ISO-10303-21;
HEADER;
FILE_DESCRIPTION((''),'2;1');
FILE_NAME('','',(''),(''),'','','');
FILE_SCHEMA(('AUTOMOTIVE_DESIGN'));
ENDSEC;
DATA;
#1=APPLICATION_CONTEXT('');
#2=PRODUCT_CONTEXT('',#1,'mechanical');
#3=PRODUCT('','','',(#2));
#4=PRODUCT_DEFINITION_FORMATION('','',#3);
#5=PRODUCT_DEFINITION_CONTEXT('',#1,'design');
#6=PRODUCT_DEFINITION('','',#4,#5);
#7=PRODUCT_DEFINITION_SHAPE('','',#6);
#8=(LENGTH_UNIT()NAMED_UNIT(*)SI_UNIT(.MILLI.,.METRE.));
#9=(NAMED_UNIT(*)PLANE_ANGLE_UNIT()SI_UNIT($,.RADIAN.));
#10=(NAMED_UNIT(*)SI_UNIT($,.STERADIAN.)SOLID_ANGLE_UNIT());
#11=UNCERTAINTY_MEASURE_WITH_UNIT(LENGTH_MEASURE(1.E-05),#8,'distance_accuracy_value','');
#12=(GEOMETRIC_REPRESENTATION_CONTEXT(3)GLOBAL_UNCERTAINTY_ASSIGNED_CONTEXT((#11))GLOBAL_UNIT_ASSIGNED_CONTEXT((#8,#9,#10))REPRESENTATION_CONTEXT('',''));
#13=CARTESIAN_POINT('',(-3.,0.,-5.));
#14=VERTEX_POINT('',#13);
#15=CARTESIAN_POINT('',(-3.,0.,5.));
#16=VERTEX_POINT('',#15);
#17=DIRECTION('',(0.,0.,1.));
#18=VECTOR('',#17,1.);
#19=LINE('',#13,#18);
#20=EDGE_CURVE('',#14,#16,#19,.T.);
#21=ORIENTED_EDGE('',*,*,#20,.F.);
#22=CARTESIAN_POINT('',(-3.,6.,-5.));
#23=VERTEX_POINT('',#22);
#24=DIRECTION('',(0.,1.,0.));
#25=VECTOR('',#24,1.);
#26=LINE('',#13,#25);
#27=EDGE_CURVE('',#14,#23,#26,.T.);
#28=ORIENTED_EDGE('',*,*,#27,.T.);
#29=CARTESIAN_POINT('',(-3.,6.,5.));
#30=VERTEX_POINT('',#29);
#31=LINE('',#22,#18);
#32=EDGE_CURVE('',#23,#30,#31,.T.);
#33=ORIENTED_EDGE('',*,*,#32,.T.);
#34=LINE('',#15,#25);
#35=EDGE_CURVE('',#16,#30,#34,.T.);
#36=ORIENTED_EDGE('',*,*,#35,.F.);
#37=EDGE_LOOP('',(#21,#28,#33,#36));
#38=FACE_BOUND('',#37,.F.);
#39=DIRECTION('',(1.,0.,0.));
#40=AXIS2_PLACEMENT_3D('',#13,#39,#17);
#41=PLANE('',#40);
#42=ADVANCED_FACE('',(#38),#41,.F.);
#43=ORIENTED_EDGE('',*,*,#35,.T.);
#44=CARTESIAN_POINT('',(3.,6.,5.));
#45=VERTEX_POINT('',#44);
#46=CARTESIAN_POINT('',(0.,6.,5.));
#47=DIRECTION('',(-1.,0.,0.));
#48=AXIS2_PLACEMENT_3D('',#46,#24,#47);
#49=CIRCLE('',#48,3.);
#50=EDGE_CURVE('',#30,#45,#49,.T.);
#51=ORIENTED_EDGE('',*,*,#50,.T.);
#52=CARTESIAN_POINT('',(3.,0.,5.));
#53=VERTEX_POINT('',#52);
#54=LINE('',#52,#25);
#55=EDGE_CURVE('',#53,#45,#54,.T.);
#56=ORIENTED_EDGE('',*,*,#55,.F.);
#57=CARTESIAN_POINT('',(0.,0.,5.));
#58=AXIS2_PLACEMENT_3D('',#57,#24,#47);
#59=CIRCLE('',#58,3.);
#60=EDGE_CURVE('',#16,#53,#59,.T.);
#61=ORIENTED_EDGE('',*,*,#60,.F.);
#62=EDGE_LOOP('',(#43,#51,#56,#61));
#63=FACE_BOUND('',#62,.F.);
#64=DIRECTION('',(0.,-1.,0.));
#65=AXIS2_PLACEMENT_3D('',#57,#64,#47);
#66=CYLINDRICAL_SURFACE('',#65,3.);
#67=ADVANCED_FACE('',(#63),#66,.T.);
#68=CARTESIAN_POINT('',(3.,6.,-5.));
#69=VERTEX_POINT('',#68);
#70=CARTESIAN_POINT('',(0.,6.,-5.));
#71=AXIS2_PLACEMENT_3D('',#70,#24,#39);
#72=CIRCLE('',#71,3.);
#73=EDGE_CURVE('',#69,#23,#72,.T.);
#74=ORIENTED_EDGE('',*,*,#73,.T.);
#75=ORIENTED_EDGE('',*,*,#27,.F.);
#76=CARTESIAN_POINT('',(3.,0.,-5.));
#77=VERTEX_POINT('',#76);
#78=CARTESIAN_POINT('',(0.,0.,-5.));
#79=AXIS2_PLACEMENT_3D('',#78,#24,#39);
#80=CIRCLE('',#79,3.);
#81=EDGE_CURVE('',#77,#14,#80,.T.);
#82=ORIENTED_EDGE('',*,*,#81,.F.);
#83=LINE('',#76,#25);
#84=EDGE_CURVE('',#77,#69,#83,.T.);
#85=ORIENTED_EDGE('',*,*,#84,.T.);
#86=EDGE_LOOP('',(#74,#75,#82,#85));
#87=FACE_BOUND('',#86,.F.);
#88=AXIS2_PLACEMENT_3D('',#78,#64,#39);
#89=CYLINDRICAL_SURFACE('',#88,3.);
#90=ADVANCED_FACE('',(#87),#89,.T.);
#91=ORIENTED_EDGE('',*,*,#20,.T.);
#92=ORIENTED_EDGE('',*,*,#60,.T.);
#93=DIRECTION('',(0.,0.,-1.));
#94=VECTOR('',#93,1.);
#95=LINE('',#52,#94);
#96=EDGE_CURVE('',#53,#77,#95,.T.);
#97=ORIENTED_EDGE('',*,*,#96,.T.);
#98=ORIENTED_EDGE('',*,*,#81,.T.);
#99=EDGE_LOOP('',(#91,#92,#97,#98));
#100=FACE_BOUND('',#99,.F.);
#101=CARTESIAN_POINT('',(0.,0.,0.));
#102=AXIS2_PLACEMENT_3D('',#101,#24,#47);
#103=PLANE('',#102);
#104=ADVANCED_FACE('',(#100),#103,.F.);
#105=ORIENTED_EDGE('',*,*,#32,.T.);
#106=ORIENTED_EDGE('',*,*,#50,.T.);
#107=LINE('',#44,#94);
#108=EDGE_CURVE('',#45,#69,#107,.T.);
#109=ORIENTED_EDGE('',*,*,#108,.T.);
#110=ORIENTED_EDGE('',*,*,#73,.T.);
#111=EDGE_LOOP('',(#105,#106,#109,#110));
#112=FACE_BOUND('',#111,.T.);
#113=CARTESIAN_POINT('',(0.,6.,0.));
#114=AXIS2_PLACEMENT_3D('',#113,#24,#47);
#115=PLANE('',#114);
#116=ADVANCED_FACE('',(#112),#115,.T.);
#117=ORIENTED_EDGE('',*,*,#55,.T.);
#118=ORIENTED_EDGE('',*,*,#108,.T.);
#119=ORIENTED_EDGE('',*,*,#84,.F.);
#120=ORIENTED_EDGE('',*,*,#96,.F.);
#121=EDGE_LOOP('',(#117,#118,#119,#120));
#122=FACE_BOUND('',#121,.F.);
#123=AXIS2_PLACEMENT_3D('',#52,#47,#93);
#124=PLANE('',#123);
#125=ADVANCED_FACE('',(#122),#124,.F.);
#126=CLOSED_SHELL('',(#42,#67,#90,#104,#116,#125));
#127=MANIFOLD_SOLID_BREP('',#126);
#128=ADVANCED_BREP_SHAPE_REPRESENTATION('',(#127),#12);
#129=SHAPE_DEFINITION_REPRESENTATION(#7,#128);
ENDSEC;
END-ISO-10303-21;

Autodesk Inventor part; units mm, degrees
ref_plane "YZ Plane" through (0, 0, 0) normal (1, 0, 0) x (0, 1, 0)
ref_plane "XZ Plane" through (0, 0, 0) normal (0, 1, 0) x (-1, 0, 0)
ref_plane "XY Plane" through (0, 0, 0) normal (0, 0, 1) x (1, 0, 0)
sketch "Skizze1" plane through (0, 0, 0) normal (0, 1, 0) x (-1, 0, 0)
  line L0 (0, 5) -> (0, -5) construction
  line L1 (-3, 5) -> (-3, -5)
  line L2 (3, -5) -> (3, 5)
  arc A0 (3, 5) -> (-3, 5) centre (0, 5) ccw
  arc A1 (-3, -5) -> (3, -5) centre (0, -5) ccw
  line L3 (0, -11.2) -> (0, 11.2) construction
  point P0 (0, 0)
  point P1 (0, 0)
  point P2 (0, 8)
  point P3 (0, -8)
  dimension "d1" = 6
  dimension "d4" = 16
extrude "Extrusion1" add sketch "Skizze1" along normal blind 6
equation "\"d1\" = Passfeder_width"
equation "\"d4\" = Passfeder_length"
equation "\"d2\" = Passfeder_height"
equation "\"Passfeder_height\" = 6"
equation "\"Passfeder_width\" = 6"
equation "\"Passfeder_length\" = 16"
equation "\"Wellennuttiefe\" = 3.5"
equation "\"Nabennuttiefe\" = 2.8"
properties part number "Passfeder12x5x5"
